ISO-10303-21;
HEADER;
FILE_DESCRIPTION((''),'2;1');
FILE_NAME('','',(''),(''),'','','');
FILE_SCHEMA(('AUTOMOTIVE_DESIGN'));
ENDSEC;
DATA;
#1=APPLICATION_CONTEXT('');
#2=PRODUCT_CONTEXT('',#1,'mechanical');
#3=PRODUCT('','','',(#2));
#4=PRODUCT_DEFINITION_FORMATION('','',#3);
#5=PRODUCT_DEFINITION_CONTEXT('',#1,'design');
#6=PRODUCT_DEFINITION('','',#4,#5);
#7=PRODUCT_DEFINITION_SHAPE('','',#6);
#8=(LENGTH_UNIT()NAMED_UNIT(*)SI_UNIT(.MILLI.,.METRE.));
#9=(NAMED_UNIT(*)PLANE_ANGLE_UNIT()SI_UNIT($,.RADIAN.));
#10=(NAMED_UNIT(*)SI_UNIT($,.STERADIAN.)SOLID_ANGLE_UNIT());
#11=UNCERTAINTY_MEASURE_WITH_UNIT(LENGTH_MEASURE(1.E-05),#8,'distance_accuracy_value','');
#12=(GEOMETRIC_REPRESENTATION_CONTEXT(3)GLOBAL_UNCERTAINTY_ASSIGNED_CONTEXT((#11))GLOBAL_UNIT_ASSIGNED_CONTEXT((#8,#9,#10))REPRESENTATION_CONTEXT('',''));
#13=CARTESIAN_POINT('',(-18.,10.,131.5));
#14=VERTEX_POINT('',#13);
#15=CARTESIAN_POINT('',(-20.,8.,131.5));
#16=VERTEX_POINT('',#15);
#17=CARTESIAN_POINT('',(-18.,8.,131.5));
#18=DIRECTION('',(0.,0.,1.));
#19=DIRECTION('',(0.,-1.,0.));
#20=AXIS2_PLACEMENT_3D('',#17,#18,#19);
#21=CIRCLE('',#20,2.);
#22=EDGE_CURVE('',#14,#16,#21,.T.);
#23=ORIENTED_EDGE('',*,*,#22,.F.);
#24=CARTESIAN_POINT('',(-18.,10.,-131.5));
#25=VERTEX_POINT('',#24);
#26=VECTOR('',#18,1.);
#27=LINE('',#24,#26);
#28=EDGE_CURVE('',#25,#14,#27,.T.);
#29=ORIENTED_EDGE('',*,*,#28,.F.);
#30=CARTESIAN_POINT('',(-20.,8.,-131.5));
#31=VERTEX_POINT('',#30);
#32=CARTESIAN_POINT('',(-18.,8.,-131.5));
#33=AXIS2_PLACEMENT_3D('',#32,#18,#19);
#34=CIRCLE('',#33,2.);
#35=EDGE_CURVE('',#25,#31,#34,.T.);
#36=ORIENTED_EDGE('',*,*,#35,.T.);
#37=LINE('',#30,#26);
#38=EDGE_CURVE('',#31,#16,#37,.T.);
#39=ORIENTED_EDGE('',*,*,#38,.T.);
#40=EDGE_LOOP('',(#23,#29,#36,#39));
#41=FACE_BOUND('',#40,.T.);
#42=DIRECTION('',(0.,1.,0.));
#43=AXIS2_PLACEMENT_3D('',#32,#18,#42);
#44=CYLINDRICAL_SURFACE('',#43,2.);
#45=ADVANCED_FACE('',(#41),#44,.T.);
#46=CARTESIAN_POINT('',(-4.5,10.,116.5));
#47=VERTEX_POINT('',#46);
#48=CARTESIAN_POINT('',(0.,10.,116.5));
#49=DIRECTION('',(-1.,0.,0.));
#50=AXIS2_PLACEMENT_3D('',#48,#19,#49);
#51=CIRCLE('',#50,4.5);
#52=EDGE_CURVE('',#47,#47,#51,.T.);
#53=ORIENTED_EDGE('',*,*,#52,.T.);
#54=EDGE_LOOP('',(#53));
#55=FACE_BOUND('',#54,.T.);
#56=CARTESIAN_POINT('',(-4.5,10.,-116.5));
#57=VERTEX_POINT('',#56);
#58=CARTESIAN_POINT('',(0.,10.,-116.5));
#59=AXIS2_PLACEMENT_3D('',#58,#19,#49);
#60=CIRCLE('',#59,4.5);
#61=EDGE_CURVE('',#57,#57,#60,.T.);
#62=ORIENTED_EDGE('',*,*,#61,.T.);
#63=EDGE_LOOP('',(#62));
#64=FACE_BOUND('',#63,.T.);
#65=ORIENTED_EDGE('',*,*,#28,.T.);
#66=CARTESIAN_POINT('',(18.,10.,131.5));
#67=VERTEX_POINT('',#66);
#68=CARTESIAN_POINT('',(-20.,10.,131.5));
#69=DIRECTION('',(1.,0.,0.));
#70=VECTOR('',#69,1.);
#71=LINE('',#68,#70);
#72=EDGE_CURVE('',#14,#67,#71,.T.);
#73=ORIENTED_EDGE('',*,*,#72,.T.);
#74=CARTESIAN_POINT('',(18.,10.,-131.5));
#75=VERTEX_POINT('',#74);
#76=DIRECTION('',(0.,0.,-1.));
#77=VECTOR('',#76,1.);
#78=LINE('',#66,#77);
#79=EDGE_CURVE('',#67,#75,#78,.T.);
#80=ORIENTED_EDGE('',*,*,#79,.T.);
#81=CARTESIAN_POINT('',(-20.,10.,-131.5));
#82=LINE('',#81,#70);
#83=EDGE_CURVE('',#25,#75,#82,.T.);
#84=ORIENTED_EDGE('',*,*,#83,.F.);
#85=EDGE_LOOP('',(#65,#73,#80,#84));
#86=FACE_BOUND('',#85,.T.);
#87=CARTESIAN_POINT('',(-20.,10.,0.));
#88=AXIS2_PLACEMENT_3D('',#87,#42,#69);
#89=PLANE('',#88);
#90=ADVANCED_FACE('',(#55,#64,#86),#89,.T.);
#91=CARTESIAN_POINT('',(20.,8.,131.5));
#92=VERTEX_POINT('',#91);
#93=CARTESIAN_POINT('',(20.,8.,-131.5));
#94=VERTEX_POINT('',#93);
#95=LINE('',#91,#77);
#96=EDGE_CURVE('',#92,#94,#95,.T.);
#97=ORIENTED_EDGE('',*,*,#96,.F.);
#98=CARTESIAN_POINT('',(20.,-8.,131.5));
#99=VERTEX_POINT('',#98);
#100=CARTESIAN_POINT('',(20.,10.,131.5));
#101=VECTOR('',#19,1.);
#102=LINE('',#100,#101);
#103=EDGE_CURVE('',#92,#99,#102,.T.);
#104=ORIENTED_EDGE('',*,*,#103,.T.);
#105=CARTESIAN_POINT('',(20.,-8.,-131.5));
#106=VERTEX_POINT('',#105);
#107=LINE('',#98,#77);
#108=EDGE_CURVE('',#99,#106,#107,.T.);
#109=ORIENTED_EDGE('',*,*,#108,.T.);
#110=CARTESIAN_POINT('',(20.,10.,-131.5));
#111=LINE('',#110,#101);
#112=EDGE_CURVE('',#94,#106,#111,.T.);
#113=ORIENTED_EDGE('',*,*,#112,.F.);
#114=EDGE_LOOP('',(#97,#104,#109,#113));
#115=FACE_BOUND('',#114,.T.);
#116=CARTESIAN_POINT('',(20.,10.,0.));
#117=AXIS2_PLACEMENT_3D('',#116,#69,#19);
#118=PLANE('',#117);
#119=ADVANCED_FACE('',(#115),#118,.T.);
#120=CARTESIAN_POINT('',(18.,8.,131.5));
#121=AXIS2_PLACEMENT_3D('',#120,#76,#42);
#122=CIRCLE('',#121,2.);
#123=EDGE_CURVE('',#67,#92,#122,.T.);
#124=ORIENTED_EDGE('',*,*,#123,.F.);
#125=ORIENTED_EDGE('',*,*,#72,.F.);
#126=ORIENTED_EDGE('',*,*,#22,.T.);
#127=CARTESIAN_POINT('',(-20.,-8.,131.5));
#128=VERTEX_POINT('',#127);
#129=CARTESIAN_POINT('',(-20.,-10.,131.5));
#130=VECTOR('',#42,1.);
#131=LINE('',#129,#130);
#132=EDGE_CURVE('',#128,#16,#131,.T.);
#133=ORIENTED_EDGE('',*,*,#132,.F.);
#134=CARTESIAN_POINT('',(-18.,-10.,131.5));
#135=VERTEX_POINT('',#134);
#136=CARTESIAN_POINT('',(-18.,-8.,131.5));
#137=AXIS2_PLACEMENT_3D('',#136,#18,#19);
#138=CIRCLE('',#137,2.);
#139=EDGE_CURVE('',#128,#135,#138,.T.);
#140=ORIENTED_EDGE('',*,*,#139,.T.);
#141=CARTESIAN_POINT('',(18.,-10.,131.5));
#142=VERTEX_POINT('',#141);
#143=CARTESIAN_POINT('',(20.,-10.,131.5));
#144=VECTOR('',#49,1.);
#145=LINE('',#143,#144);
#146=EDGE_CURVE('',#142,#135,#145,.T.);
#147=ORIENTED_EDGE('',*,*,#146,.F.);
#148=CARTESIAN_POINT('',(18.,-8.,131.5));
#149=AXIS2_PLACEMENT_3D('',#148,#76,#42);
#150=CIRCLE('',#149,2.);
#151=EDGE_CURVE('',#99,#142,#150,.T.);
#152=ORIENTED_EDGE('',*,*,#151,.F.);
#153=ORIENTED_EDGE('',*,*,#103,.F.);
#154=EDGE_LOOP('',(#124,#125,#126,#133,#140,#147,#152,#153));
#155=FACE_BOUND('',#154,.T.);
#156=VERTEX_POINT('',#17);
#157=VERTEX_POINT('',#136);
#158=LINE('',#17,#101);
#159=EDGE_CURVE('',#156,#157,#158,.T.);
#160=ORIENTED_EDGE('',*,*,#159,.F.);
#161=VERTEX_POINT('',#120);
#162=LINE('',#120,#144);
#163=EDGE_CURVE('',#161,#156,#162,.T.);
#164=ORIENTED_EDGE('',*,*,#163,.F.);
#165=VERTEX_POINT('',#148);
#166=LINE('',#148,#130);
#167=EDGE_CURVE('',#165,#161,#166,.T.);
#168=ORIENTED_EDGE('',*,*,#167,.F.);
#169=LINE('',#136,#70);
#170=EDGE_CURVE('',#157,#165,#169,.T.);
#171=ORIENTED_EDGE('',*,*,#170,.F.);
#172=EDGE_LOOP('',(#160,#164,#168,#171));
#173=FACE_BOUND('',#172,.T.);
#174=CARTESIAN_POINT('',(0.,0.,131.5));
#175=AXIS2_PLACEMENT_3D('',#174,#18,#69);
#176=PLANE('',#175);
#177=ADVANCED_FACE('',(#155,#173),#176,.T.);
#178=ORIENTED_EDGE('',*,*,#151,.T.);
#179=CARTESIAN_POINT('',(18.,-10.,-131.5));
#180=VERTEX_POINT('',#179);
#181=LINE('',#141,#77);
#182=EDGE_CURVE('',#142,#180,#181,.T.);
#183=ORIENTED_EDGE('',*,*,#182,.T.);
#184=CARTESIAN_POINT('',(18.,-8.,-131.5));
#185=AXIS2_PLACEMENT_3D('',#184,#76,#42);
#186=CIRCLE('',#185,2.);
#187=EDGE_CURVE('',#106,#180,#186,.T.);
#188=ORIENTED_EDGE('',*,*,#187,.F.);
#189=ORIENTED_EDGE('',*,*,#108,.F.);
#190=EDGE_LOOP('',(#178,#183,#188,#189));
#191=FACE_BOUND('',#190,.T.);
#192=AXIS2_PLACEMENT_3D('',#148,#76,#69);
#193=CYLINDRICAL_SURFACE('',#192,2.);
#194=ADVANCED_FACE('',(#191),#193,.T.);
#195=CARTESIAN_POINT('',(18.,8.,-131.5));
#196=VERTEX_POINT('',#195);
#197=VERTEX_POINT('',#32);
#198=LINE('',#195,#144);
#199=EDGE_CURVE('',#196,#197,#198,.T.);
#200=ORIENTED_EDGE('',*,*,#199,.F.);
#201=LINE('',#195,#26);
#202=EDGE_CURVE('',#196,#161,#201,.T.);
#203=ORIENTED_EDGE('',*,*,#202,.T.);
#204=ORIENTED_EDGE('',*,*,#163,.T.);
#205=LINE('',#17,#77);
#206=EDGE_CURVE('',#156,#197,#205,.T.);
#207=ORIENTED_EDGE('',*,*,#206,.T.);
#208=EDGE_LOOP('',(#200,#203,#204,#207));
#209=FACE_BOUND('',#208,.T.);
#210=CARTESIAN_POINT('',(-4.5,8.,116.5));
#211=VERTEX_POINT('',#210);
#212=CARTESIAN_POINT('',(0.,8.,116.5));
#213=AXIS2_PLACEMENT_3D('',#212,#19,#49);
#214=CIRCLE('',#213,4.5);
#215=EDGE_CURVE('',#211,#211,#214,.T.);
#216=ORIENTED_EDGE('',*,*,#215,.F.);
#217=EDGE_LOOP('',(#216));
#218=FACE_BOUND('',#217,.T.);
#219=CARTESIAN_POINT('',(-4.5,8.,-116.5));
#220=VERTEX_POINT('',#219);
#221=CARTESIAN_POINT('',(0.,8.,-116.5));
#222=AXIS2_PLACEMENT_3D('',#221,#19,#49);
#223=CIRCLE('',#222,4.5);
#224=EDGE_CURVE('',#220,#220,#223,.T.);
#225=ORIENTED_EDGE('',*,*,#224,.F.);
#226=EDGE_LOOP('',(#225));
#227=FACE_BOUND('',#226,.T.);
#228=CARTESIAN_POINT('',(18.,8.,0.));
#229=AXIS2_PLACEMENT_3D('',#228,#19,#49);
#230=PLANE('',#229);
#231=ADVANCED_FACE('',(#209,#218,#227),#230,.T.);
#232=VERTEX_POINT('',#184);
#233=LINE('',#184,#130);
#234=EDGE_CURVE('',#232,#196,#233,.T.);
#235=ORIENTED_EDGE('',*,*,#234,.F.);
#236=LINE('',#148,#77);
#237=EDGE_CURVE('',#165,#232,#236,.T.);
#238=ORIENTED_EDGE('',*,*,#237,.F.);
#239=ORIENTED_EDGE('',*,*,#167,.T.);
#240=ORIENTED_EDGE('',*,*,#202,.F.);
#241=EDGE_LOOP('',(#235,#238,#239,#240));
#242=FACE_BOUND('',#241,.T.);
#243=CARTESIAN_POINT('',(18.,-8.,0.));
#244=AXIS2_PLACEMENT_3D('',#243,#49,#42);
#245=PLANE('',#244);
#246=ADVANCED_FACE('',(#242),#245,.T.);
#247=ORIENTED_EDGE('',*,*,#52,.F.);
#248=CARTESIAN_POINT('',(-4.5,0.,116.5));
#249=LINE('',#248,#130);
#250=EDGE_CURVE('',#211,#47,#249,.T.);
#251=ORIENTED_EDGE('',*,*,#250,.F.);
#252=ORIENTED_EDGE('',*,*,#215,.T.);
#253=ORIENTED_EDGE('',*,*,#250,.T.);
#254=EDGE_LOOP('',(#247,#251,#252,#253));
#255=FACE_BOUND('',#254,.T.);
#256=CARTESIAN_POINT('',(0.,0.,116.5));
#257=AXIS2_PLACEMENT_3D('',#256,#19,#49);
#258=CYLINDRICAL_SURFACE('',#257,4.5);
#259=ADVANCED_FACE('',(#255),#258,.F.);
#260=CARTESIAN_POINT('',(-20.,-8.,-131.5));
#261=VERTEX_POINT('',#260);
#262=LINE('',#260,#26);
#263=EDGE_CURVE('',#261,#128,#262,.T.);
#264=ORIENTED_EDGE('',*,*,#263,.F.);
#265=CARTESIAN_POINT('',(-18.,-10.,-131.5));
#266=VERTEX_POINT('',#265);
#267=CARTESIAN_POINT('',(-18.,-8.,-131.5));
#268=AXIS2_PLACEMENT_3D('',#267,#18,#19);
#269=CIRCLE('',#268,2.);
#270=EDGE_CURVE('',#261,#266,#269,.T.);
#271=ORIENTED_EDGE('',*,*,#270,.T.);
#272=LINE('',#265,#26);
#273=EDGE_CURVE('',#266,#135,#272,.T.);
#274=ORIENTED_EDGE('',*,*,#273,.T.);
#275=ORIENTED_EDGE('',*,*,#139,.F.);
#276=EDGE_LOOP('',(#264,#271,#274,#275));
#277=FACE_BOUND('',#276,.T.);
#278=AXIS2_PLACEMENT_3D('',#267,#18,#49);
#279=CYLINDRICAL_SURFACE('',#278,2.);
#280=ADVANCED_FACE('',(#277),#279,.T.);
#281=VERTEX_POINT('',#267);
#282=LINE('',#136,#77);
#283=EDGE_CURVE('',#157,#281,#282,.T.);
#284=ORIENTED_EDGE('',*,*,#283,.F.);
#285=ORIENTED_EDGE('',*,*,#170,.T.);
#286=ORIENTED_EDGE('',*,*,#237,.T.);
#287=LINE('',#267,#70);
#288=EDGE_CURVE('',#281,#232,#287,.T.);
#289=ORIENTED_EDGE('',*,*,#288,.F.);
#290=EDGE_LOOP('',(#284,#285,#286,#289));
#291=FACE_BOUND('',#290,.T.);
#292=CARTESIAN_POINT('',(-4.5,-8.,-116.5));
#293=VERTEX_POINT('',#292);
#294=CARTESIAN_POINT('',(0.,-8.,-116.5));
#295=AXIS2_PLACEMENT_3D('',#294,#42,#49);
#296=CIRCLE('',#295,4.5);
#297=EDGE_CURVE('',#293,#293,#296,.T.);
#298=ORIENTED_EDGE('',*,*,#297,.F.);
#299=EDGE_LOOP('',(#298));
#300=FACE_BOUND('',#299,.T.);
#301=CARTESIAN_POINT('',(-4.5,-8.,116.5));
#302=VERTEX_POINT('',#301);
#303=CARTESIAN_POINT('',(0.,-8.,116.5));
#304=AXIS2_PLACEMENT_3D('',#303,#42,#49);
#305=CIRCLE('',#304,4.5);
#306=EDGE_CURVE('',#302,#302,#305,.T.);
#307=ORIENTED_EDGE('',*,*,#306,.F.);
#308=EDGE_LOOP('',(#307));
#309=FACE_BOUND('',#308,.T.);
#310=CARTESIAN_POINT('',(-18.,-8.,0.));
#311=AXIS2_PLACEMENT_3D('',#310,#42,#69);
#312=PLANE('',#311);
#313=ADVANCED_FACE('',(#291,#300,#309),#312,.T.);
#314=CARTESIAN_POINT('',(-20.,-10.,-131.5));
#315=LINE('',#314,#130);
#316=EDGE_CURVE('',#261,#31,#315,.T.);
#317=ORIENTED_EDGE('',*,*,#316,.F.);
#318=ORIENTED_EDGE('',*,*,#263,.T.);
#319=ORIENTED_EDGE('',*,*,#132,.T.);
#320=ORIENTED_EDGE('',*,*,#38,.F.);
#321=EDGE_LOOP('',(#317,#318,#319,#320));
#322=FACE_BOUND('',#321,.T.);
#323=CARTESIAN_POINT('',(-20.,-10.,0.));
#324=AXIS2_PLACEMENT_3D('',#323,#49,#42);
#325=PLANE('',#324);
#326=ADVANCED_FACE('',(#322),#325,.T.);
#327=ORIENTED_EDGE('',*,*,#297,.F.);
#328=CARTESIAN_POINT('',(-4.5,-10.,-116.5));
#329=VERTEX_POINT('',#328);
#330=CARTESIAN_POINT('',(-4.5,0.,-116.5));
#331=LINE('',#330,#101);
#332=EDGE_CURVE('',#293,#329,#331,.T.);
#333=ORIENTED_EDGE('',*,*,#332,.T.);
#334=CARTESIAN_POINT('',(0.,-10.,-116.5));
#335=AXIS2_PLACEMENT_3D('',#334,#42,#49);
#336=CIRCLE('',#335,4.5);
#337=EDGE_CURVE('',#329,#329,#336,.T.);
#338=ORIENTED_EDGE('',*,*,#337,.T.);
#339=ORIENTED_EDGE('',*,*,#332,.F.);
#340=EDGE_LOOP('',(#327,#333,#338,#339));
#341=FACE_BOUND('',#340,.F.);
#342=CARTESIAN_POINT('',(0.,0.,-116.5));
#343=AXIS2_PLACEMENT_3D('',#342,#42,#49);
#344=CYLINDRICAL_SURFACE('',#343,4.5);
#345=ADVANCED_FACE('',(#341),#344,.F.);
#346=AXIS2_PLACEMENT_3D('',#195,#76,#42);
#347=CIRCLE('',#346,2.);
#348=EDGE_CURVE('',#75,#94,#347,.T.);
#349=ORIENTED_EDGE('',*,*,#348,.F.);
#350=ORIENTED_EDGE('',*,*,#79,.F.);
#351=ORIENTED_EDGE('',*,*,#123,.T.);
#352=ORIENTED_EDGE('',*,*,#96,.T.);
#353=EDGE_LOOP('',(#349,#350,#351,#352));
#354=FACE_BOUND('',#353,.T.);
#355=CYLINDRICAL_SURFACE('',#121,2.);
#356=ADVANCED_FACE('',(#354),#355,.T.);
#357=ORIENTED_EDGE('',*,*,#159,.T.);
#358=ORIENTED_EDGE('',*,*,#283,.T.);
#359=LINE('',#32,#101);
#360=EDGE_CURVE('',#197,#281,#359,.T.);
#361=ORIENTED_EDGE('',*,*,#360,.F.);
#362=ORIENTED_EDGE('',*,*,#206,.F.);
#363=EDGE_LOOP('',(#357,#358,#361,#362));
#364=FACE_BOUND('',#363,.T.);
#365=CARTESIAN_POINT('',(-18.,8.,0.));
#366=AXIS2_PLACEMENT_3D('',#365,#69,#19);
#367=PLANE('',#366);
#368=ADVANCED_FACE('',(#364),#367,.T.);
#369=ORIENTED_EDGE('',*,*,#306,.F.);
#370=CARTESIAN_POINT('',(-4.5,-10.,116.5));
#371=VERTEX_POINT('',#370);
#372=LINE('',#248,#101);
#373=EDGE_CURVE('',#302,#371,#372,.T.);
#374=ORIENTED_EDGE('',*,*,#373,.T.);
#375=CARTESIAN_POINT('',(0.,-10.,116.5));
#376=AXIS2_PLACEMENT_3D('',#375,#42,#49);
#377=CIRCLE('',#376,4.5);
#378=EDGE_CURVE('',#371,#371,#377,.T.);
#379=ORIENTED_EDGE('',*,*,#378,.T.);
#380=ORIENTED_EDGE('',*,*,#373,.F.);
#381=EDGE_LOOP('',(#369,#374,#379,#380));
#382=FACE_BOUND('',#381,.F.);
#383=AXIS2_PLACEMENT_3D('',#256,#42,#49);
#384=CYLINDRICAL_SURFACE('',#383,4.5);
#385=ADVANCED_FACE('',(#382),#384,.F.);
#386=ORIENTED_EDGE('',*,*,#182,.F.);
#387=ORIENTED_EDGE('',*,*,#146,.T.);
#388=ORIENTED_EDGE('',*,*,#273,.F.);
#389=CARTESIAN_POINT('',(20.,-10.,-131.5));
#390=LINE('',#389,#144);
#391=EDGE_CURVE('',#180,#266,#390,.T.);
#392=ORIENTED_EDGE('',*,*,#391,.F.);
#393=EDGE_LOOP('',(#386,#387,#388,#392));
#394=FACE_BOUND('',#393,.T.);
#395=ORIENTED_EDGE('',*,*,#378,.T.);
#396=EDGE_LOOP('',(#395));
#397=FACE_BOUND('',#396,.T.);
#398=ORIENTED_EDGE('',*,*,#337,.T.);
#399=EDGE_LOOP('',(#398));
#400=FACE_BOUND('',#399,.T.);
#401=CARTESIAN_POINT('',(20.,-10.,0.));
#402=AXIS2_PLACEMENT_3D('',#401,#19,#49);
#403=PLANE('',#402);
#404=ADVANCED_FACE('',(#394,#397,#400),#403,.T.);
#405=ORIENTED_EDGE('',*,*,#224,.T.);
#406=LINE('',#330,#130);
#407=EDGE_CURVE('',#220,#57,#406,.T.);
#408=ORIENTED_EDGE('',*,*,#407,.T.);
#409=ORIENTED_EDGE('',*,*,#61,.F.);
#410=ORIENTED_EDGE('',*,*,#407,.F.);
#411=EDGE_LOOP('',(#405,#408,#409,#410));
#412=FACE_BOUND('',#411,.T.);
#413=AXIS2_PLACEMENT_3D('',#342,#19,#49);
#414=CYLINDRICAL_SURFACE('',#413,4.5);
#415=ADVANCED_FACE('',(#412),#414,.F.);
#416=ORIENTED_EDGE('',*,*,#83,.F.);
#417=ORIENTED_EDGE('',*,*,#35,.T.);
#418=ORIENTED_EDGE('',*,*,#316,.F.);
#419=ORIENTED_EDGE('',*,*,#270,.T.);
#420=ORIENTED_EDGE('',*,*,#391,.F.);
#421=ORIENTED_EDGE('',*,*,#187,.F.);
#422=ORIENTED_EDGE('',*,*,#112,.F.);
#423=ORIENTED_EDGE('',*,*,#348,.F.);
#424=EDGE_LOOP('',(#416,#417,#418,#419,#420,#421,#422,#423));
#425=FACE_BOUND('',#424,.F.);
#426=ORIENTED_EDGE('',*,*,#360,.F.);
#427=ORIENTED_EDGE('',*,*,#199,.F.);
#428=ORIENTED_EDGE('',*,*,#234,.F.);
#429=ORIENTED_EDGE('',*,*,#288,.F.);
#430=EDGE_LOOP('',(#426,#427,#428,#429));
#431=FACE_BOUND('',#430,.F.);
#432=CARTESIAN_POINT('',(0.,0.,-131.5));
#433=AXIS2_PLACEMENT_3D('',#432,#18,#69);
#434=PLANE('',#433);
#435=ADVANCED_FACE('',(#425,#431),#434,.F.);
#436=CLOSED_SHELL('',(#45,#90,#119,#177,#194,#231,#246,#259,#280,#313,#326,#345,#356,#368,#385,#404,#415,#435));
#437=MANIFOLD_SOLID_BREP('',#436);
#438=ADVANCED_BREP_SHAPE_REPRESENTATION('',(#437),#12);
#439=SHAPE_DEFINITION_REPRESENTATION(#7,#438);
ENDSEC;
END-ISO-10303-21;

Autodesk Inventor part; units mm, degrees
ref_plane "YZ Plane" through (0, 0, 0) normal (1, 0, 0) x (0, 1, 0)
ref_plane "XZ Plane" through (0, 0, 0) normal (0, 1, 0) x (-1, 0, 0)
ref_plane "XY Plane" through (0, 0, 0) normal (0, 0, 1) x (1, 0, 0)
sketch "Sketch1" plane through (0, 0, 0) normal (0, 0, 1) x (1, 0, 0)
  line L0 (-20, 10) -> (20, 10)
  line L1 (20, 10) -> (20, -10)
  line L2 (20, -10) -> (-20, -10)
  line L3 (-20, -10) -> (-20, 10)
  line L4 (-20, 10) -> (20, -10) construction
  line L5 (20, 10) -> (-20, -10) construction
  line L6 (18, 8) -> (-18, 8)
  line L7 (-18, 8) -> (-18, -8)
  line L8 (-18, -8) -> (18, -8)
  line L9 (18, -8) -> (18, 8)
  point P0 (0, 0)
  dimension "d0" = 40
  dimension "d1" = 20
  dimension "d2" = 2
extrude "Extrusion1" add sketch "Sketch1" along normal mid plane 263
fillet "Fillet1" radius 2 4 edges at (-20, 10, 0) (-20, -10, 0) (20, -10, 0) (20, 10, 0)
sketch "Sketch4" plane through (0, 0, 0) normal (0, 1, 0) x (-1, 0, 0)
  line L0 (18, 131.5) -> (-18, 131.5) projected
  line L1 (-18, -131.5) -> (18, -131.5) projected
  circle A0 centre (0, 116.5) radius 4.5
  circle A1 centre (0, -116.5) radius 4.5
  line L2 (48.8004, 0) -> (-48.8004, 0) construction
  point P0 (0, 0)
  point P1 (0, 0)
  dimension "d20" = 9
  dimension "d21" = 15
extrude "Extrusion4" cut sketch "Sketch4" along normal through all both and the other way through all
properties part number "Leg tube 2"
